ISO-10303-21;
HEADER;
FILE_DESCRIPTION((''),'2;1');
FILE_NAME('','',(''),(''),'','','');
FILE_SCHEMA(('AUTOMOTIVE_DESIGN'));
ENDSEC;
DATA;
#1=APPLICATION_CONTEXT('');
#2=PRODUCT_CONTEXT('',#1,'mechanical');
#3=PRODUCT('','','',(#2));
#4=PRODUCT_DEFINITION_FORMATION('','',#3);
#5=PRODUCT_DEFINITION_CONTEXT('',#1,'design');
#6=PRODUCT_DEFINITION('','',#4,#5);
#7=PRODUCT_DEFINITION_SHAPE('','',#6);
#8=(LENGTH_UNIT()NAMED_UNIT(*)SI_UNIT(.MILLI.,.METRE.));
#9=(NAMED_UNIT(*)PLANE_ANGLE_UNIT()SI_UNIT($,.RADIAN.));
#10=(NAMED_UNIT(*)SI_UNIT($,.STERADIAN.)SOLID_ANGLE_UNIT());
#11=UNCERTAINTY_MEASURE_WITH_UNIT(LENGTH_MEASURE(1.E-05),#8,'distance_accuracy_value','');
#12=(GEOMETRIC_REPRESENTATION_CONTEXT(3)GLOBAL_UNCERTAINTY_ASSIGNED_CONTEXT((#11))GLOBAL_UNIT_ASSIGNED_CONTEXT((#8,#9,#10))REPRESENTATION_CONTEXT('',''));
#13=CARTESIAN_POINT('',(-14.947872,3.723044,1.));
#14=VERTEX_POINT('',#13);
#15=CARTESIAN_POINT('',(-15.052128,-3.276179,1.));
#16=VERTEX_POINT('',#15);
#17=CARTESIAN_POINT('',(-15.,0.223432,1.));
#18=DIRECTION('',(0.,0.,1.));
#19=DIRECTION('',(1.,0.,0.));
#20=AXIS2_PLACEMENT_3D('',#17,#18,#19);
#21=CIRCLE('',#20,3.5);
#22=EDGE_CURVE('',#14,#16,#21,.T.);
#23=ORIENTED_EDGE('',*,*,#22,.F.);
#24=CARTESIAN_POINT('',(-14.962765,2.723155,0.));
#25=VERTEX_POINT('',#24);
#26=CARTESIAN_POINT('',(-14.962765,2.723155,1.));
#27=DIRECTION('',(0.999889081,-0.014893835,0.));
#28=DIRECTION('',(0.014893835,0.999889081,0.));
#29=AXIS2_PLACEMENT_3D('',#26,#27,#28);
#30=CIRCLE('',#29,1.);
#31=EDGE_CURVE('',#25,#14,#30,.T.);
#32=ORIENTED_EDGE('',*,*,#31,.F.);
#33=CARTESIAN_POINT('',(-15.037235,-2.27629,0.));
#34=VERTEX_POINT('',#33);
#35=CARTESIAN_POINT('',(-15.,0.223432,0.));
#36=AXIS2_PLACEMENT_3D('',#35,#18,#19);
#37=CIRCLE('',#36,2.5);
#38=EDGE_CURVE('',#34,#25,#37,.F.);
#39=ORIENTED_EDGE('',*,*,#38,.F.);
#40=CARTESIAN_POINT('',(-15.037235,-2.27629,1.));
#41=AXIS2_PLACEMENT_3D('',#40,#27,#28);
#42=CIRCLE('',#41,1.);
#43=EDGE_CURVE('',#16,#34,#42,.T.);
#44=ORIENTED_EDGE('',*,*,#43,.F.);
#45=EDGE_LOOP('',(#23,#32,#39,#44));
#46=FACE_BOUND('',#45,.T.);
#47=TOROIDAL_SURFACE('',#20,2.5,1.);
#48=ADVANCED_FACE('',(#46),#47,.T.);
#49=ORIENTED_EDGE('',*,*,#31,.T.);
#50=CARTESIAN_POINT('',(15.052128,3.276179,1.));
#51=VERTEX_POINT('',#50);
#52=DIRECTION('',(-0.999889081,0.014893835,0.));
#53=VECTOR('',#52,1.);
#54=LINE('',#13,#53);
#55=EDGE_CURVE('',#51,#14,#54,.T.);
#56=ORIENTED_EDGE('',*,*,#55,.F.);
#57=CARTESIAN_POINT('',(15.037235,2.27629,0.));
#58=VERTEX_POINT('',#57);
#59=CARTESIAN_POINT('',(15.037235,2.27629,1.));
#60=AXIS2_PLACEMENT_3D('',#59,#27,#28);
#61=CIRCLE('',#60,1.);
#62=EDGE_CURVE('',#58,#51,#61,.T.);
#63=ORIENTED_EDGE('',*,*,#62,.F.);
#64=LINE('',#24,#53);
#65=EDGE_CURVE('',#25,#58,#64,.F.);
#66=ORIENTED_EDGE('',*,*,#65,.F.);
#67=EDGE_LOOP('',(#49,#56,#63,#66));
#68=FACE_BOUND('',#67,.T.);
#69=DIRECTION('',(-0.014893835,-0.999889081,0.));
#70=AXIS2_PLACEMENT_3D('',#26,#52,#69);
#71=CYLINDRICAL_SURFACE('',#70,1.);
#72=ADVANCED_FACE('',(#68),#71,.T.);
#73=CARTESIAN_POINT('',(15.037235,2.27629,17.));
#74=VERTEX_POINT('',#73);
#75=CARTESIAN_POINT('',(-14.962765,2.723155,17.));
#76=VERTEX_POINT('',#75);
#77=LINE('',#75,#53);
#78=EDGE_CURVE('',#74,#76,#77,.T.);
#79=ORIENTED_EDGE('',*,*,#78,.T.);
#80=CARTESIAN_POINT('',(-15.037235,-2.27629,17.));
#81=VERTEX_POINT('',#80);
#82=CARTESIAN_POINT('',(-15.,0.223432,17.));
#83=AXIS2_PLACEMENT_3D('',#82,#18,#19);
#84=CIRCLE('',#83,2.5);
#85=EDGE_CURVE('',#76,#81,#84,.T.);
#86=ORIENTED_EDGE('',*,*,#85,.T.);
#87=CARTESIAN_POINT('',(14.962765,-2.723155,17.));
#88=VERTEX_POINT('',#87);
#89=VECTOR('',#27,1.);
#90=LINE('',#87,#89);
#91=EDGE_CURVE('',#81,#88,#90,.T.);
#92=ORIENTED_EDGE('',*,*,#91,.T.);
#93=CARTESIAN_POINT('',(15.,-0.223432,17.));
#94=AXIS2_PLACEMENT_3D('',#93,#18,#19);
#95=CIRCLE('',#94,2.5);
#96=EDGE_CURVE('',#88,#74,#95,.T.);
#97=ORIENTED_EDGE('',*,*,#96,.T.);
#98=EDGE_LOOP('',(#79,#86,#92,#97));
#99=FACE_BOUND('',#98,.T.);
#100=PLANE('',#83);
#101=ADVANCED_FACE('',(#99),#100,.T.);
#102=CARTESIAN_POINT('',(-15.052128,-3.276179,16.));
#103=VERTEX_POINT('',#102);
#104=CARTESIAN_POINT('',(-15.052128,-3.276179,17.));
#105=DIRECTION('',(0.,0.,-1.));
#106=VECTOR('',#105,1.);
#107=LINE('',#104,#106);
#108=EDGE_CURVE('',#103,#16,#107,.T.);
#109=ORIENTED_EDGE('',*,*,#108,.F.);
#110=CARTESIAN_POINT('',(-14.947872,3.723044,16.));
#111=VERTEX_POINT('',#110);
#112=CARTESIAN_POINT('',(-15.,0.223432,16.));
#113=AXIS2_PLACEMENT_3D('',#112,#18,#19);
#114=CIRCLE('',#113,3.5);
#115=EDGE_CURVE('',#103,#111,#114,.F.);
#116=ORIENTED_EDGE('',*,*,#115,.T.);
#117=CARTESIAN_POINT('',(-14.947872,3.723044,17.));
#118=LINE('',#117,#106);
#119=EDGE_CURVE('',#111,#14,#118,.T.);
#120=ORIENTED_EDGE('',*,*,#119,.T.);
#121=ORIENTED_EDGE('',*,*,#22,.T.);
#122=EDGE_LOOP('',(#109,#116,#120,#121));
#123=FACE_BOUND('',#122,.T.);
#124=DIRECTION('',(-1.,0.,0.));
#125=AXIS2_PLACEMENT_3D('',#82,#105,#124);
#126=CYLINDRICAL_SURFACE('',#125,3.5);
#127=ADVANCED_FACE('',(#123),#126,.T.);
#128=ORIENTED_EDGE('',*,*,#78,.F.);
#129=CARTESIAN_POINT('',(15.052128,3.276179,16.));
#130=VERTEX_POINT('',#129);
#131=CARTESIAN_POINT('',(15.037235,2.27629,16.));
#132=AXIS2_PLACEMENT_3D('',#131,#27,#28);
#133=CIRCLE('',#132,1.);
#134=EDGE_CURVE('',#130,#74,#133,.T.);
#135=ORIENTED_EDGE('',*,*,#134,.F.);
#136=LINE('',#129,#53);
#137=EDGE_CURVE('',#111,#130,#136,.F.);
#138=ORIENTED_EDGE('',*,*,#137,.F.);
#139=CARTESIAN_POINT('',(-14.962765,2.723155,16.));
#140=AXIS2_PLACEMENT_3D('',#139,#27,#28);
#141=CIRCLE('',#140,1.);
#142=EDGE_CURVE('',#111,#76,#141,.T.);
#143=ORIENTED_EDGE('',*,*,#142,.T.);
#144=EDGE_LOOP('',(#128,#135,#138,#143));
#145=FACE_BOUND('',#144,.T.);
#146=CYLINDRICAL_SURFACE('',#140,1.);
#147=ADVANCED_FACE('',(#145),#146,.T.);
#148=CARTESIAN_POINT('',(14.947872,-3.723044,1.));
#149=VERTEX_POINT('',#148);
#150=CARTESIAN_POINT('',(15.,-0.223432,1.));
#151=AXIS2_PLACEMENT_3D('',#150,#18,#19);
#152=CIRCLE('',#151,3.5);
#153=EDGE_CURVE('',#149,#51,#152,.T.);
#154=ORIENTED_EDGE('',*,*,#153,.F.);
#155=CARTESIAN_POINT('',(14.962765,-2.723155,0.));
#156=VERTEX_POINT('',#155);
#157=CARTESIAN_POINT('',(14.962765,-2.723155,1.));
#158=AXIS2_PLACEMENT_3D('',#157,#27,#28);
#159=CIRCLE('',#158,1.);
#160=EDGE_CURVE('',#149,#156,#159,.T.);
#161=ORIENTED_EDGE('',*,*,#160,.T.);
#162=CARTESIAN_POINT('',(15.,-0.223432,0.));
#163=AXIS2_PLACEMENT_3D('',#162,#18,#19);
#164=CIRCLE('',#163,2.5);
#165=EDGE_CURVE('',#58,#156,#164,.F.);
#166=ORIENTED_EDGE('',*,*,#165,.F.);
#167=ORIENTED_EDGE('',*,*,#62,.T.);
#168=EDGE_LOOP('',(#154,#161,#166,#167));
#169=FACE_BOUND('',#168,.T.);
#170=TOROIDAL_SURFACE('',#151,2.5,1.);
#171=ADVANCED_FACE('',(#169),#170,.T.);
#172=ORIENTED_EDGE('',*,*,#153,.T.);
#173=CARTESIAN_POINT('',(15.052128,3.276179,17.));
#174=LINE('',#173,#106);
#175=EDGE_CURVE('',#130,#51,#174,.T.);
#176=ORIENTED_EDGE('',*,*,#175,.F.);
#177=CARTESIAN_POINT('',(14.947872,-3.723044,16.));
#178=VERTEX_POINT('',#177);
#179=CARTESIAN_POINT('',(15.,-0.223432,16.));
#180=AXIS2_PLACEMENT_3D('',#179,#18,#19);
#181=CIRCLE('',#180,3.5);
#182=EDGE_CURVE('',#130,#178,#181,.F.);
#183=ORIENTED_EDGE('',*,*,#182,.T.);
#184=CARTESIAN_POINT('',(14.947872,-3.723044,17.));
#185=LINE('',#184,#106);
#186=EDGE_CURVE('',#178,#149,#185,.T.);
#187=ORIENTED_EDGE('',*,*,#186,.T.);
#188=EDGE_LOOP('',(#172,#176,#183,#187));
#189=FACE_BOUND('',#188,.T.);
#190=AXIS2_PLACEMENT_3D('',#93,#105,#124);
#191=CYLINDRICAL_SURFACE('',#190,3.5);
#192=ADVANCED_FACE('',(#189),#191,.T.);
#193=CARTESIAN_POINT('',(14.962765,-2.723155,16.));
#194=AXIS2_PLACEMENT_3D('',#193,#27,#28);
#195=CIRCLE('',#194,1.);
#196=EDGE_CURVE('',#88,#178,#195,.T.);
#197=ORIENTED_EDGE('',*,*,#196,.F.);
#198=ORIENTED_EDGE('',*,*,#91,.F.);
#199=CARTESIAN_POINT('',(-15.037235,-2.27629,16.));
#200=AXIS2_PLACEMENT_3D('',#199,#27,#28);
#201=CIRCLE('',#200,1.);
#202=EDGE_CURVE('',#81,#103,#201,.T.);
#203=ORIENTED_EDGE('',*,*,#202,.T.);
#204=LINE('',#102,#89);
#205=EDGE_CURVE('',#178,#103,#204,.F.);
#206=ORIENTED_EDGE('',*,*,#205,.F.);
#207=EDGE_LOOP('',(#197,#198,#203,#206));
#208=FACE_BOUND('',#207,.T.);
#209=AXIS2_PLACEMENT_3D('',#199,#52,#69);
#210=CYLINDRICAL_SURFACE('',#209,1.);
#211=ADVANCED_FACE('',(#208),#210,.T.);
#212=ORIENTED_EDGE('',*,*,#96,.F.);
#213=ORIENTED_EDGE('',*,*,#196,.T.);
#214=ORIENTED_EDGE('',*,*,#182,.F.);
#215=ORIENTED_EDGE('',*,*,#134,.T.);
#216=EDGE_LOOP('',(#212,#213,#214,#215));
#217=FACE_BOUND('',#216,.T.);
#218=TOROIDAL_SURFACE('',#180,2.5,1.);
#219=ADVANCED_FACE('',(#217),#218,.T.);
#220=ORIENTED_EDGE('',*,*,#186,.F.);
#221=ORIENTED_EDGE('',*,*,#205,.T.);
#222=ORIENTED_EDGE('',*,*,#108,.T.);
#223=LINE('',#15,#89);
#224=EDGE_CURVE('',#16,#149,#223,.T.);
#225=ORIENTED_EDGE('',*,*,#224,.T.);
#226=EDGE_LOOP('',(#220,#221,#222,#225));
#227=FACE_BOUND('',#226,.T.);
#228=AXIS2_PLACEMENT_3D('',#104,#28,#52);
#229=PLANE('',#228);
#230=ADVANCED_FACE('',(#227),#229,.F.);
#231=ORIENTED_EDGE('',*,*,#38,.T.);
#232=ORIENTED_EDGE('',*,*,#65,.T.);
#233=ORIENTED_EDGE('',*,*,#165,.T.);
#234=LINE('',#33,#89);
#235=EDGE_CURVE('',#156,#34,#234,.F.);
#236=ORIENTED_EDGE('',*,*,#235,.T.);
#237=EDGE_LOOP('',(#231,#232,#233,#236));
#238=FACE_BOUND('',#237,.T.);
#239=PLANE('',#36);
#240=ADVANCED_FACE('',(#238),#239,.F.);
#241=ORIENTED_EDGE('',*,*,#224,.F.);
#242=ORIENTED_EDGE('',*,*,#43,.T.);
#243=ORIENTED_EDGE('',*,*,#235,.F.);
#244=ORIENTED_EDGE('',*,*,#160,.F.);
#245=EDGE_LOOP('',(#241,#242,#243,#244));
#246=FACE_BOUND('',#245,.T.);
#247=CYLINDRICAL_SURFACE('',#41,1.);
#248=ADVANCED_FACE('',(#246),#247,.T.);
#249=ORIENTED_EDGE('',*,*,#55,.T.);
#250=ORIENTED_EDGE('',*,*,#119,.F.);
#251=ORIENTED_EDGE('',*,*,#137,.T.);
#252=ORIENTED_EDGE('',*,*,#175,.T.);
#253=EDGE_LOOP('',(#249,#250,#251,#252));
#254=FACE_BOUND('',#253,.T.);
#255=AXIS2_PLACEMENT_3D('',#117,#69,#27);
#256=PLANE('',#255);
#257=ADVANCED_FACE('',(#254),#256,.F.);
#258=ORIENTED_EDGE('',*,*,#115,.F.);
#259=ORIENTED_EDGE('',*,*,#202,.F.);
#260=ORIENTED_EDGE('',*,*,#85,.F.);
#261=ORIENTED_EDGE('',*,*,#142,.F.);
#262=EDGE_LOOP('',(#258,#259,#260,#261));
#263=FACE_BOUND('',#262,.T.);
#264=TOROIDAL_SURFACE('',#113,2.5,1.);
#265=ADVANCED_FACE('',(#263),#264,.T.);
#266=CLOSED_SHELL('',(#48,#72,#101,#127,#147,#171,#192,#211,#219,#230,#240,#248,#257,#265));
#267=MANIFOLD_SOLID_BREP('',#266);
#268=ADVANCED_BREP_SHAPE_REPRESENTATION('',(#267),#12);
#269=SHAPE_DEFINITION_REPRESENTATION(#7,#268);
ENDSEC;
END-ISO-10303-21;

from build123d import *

# Parameters (mm, degrees)
RESSALTO_EXTRUS_O1_DEPTH = 17
FILETE1_R                = 1


with BuildPart() as part:
    # Esboço1 → Ressalto-extrusão1 (new body)
    with BuildSketch(Plane.XY):
        with BuildLine():
            Line((-14.947871578, 3.723044087), (15.052128422, 3.276179478))
            ThreePointArc((15.052128422, 3.276179478), (18.499611782, -0.275560726), (14.947871578, -3.723044087))
            Line((14.947871578, -3.723044087), (-15.052128422, -3.276179478))
            ThreePointArc((-15.052128422, -3.276179478), (-18.499611782, 0.275560726), (-14.947871578, 3.723044087))
        make_face()
    extrude(amount=RESSALTO_EXTRUS_O1_DEPTH)

    # Filete1
    filete1_edges = [part.edges().sort_by_distance(p)[0] for p in [
        (18.499611782, -0.275560726, 17),
        (0.052128422, 3.499611782, 17),
        (-18.499611782, 0.275560726, 17),
        (0.052128422, 3.499611782, 0),
        (18.499611782, -0.275560726, 0),
        (-0.052128422, -3.499611782, 0),
        (-18.499611782, 0.275560726, 0),
        (-0.052128422, -3.499611782, 17),
    ]]
    fillet(filete1_edges, radius=FILETE1_R)


solid = part.part
